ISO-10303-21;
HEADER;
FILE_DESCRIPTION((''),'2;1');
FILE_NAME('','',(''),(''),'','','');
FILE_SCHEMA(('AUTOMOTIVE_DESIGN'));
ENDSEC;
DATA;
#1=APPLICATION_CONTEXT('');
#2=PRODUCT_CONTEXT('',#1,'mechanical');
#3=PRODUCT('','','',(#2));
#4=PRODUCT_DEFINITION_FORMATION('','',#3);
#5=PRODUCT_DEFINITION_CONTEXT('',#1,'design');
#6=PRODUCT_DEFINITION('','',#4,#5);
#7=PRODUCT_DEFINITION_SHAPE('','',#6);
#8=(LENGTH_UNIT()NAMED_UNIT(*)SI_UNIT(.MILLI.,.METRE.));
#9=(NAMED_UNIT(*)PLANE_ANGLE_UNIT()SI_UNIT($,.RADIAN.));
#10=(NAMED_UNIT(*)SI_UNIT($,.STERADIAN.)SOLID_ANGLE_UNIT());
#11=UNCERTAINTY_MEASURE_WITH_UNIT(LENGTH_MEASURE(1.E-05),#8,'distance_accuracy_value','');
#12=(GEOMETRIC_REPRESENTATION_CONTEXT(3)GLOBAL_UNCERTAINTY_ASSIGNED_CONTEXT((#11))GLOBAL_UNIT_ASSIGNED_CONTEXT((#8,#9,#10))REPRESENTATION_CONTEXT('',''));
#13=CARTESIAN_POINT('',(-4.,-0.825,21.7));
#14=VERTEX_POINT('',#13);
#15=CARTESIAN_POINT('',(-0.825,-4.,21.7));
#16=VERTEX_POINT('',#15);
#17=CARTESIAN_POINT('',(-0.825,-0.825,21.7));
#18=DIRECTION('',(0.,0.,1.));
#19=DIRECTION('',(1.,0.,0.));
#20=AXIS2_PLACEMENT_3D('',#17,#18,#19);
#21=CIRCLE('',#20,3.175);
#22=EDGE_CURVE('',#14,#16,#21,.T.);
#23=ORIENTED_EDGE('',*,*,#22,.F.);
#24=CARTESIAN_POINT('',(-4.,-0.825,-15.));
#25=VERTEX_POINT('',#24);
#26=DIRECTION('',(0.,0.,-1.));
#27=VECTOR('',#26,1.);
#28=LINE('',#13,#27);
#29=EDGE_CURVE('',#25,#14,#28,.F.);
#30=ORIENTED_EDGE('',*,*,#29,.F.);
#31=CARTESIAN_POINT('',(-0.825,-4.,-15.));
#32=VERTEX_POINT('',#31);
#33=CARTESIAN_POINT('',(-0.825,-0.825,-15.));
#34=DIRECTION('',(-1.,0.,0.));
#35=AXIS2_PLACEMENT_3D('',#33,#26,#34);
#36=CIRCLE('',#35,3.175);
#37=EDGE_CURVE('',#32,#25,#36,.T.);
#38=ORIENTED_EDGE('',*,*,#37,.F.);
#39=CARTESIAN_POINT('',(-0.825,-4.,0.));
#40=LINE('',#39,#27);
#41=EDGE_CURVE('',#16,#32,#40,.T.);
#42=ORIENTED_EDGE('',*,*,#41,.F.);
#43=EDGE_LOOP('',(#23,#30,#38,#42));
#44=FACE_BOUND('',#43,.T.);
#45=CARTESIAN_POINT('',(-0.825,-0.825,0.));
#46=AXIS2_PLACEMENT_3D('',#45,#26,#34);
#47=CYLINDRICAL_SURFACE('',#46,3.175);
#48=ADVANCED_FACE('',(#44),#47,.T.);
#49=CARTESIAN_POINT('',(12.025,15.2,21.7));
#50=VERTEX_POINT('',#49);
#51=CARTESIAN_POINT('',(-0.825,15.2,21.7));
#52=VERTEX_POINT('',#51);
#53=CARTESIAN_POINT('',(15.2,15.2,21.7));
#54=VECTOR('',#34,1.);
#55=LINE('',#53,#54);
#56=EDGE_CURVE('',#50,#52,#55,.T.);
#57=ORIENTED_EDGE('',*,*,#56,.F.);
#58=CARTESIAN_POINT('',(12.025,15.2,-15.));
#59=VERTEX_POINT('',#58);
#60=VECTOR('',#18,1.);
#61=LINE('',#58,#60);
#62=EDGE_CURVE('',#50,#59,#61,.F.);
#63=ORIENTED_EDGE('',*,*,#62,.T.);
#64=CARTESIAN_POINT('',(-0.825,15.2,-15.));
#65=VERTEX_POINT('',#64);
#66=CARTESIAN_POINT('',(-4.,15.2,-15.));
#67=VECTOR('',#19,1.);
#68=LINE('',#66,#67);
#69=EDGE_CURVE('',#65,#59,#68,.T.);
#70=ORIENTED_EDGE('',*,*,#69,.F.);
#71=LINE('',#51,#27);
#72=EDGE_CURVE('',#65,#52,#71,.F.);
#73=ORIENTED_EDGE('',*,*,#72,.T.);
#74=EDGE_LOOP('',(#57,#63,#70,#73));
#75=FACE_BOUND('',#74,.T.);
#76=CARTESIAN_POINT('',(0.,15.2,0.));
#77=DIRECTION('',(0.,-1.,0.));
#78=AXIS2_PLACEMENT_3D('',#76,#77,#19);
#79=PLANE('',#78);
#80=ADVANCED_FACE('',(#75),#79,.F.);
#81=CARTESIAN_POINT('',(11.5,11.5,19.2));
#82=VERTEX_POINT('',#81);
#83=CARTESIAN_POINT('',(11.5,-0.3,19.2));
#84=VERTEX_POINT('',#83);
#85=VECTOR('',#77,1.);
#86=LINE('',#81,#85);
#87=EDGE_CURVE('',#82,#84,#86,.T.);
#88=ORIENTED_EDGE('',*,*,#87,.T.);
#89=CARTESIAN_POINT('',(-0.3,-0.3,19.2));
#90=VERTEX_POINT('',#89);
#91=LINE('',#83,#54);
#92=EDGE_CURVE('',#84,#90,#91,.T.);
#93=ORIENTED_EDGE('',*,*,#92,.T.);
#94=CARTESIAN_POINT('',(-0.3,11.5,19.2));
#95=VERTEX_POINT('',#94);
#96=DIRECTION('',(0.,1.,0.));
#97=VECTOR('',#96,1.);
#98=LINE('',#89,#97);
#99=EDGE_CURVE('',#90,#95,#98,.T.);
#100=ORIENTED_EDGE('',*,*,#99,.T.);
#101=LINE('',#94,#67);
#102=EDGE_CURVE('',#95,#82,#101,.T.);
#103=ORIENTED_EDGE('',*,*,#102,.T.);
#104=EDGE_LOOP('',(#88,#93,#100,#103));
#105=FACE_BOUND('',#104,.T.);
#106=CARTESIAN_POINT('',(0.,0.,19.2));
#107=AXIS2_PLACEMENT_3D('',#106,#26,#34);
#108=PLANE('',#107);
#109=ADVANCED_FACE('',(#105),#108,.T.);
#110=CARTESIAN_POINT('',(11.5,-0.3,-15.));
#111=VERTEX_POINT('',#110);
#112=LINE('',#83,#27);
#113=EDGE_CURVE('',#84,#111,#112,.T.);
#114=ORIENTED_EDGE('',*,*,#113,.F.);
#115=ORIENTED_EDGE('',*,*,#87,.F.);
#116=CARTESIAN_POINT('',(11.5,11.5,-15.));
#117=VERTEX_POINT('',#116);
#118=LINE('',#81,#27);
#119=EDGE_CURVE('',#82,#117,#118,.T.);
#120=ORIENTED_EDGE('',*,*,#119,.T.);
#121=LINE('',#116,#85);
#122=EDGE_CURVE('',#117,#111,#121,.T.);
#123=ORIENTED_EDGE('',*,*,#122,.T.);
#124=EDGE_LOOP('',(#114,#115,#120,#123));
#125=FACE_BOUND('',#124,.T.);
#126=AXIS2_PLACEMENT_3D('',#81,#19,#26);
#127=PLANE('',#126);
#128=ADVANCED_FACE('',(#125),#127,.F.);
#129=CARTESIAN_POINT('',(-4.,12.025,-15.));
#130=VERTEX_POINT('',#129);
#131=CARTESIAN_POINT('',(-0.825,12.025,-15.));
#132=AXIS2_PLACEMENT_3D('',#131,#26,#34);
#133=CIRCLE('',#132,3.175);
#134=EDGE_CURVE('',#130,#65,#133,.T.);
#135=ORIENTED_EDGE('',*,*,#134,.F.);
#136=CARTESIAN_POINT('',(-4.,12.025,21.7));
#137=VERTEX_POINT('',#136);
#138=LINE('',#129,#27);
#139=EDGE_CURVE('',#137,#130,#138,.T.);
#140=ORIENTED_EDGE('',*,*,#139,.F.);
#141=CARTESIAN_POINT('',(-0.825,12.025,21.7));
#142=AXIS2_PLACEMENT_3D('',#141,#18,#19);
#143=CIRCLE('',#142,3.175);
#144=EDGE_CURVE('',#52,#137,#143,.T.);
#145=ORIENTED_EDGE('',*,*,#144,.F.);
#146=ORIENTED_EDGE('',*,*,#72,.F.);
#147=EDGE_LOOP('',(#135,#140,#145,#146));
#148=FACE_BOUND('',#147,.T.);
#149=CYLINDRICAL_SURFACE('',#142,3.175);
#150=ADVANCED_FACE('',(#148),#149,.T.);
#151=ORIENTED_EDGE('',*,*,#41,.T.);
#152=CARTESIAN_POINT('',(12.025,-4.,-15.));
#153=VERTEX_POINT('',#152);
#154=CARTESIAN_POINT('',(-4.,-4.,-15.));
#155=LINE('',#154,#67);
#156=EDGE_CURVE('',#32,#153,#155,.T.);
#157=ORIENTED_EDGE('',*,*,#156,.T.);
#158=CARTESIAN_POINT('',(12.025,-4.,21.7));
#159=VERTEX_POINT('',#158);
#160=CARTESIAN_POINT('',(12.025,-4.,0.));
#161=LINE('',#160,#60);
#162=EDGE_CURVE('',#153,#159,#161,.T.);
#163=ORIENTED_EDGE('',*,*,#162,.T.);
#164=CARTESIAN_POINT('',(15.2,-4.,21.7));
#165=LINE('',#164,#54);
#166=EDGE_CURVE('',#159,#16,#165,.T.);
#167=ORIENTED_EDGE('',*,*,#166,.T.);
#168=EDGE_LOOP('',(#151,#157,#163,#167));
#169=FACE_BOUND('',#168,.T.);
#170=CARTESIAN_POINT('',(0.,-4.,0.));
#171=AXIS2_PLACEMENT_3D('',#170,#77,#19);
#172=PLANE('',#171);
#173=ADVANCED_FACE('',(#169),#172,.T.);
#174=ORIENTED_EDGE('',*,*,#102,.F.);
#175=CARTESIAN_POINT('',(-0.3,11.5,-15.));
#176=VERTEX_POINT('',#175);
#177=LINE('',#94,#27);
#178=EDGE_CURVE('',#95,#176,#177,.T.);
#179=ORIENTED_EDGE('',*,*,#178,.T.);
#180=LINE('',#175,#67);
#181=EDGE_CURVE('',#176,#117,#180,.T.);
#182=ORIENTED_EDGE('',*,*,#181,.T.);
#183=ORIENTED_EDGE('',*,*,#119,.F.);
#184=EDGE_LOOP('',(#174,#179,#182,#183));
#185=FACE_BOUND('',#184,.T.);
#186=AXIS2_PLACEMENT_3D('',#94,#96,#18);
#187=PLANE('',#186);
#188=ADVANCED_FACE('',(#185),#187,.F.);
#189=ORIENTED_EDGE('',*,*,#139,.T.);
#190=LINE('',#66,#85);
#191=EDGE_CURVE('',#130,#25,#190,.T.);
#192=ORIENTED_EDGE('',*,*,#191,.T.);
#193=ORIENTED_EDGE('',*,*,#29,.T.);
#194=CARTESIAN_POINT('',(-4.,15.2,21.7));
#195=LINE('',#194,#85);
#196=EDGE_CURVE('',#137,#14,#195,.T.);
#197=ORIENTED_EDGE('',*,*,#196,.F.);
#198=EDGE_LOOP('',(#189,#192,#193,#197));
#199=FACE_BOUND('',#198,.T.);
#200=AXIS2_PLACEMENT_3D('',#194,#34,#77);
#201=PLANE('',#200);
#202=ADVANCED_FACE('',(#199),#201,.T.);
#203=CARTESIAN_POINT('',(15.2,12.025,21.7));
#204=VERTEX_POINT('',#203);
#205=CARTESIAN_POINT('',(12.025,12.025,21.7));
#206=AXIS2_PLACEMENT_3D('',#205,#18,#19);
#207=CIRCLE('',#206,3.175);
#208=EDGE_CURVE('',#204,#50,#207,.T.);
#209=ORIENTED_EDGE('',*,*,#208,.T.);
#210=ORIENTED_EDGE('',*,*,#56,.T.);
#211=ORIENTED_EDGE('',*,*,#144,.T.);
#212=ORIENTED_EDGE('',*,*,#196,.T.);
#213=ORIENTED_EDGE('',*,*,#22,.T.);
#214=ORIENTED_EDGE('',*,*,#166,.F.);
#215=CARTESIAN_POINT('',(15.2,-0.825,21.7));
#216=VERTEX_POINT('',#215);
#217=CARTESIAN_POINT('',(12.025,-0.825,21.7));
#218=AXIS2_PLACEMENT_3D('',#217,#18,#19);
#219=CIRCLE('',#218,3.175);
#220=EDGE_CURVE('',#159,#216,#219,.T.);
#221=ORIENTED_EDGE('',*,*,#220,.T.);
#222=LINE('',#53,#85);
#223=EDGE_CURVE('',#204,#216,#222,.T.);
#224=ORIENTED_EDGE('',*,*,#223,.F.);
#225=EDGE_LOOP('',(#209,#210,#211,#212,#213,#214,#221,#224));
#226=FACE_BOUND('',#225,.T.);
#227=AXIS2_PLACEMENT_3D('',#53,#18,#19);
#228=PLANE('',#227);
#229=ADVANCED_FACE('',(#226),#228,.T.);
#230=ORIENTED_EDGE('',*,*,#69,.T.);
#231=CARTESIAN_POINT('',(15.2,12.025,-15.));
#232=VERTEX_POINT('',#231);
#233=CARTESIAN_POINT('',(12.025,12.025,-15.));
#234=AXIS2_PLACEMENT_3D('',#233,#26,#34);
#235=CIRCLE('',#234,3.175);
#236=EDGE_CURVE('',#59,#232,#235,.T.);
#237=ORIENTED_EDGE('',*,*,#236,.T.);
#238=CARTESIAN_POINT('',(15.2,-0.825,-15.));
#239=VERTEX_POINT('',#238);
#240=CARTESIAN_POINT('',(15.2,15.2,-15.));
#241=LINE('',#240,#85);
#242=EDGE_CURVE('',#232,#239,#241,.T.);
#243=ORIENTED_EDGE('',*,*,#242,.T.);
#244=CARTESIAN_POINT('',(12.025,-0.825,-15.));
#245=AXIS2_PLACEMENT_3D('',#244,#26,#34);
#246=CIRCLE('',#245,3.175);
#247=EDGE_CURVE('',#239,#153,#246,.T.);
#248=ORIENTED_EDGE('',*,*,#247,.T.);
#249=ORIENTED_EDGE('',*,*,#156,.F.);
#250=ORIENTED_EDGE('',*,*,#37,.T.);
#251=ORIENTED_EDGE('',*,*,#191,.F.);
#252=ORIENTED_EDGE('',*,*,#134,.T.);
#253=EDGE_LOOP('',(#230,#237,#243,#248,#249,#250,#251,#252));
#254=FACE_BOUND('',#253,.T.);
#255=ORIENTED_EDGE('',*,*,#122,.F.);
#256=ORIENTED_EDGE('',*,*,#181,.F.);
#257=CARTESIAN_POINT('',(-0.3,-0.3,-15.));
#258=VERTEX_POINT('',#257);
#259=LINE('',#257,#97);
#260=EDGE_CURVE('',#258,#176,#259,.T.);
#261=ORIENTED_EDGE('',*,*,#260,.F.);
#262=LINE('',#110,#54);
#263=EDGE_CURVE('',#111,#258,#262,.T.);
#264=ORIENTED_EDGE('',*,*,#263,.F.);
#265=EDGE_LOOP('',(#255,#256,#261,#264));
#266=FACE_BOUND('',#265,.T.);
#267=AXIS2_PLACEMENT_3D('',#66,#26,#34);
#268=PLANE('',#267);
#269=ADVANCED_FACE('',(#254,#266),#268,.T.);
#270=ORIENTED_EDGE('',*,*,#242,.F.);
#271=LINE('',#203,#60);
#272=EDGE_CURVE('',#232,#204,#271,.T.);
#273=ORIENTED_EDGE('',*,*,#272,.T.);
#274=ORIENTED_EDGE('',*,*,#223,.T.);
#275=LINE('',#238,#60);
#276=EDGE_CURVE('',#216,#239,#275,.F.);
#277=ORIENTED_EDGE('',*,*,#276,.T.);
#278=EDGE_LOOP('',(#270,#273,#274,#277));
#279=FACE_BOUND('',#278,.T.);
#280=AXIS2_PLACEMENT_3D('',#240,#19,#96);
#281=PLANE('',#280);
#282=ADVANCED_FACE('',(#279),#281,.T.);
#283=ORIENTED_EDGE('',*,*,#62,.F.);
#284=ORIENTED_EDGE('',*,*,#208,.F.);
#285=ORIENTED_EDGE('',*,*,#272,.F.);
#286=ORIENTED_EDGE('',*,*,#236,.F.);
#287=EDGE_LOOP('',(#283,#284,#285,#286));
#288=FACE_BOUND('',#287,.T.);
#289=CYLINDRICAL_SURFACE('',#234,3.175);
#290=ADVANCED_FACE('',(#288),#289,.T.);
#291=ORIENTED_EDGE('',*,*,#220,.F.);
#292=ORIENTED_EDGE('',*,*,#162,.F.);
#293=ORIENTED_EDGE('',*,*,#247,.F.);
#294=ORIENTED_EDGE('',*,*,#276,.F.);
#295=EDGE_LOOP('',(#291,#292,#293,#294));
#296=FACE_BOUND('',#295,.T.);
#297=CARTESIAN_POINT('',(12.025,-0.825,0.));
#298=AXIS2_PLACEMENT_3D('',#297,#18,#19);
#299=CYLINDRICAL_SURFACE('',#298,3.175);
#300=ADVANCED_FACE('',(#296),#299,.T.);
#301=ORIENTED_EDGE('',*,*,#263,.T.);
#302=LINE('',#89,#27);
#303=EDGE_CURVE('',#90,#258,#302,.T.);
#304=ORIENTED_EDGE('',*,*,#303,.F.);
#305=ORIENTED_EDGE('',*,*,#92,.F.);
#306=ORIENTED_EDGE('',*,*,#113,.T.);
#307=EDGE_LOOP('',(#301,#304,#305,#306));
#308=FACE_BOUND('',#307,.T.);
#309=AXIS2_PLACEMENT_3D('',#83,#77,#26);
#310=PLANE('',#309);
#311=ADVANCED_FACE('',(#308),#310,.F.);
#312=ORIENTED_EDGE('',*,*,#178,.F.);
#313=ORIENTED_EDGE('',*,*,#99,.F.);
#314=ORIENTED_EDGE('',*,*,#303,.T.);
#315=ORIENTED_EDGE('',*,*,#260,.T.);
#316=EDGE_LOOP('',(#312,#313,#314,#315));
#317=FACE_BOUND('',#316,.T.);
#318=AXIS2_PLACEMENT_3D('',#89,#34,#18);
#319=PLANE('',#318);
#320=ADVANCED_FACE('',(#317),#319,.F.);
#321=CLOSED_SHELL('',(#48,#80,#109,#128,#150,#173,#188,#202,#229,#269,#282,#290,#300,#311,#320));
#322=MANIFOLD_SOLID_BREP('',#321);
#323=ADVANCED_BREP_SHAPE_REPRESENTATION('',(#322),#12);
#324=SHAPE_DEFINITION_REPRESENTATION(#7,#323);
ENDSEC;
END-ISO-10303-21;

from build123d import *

# Parameters (mm, degrees)
SKETCH1_W           = 19.2
SKETCH1_H           = 36.7
BOSS_EXTRUDE1_DEPTH = 19.2
SKETCH2_W           = 11.8
SKETCH2_H           = 11.8
CUT_EXTRUDE1_DEPTH  = 34.2
FILLET1_R           = 3.175


with BuildPart() as part:
    # Sketch1 → Boss-Extrude1 (new body)
    with BuildSketch(Plane.XZ.offset(4)):
        with Locations((5.6, 3.35)):
            Rectangle(SKETCH1_W, SKETCH1_H)
    extrude(amount=-BOSS_EXTRUDE1_DEPTH)

    # Sketch2 → Cut-Extrude1 (cut)
    with BuildSketch(Plane(origin=(0, 0, -15), x_dir=(-1, 0, 0), z_dir=(0, 0, -1))):
        with Locations((-5.6, 5.6)):
            Rectangle(SKETCH2_W, SKETCH2_H)
    extrude(amount=-CUT_EXTRUDE1_DEPTH, mode=Mode.SUBTRACT)

    # Fillet1
    fillet1_edges = [part.edges().sort_by_distance(p)[0] for p in [
        (-4, 15.2, 3.35),
        (15.2, 15.2, 3.35),
        (-4, -4, 3.35),
        (15.2, -4, 3.35),
    ]]
    fillet(fillet1_edges, radius=FILLET1_R)


solid = part.part
